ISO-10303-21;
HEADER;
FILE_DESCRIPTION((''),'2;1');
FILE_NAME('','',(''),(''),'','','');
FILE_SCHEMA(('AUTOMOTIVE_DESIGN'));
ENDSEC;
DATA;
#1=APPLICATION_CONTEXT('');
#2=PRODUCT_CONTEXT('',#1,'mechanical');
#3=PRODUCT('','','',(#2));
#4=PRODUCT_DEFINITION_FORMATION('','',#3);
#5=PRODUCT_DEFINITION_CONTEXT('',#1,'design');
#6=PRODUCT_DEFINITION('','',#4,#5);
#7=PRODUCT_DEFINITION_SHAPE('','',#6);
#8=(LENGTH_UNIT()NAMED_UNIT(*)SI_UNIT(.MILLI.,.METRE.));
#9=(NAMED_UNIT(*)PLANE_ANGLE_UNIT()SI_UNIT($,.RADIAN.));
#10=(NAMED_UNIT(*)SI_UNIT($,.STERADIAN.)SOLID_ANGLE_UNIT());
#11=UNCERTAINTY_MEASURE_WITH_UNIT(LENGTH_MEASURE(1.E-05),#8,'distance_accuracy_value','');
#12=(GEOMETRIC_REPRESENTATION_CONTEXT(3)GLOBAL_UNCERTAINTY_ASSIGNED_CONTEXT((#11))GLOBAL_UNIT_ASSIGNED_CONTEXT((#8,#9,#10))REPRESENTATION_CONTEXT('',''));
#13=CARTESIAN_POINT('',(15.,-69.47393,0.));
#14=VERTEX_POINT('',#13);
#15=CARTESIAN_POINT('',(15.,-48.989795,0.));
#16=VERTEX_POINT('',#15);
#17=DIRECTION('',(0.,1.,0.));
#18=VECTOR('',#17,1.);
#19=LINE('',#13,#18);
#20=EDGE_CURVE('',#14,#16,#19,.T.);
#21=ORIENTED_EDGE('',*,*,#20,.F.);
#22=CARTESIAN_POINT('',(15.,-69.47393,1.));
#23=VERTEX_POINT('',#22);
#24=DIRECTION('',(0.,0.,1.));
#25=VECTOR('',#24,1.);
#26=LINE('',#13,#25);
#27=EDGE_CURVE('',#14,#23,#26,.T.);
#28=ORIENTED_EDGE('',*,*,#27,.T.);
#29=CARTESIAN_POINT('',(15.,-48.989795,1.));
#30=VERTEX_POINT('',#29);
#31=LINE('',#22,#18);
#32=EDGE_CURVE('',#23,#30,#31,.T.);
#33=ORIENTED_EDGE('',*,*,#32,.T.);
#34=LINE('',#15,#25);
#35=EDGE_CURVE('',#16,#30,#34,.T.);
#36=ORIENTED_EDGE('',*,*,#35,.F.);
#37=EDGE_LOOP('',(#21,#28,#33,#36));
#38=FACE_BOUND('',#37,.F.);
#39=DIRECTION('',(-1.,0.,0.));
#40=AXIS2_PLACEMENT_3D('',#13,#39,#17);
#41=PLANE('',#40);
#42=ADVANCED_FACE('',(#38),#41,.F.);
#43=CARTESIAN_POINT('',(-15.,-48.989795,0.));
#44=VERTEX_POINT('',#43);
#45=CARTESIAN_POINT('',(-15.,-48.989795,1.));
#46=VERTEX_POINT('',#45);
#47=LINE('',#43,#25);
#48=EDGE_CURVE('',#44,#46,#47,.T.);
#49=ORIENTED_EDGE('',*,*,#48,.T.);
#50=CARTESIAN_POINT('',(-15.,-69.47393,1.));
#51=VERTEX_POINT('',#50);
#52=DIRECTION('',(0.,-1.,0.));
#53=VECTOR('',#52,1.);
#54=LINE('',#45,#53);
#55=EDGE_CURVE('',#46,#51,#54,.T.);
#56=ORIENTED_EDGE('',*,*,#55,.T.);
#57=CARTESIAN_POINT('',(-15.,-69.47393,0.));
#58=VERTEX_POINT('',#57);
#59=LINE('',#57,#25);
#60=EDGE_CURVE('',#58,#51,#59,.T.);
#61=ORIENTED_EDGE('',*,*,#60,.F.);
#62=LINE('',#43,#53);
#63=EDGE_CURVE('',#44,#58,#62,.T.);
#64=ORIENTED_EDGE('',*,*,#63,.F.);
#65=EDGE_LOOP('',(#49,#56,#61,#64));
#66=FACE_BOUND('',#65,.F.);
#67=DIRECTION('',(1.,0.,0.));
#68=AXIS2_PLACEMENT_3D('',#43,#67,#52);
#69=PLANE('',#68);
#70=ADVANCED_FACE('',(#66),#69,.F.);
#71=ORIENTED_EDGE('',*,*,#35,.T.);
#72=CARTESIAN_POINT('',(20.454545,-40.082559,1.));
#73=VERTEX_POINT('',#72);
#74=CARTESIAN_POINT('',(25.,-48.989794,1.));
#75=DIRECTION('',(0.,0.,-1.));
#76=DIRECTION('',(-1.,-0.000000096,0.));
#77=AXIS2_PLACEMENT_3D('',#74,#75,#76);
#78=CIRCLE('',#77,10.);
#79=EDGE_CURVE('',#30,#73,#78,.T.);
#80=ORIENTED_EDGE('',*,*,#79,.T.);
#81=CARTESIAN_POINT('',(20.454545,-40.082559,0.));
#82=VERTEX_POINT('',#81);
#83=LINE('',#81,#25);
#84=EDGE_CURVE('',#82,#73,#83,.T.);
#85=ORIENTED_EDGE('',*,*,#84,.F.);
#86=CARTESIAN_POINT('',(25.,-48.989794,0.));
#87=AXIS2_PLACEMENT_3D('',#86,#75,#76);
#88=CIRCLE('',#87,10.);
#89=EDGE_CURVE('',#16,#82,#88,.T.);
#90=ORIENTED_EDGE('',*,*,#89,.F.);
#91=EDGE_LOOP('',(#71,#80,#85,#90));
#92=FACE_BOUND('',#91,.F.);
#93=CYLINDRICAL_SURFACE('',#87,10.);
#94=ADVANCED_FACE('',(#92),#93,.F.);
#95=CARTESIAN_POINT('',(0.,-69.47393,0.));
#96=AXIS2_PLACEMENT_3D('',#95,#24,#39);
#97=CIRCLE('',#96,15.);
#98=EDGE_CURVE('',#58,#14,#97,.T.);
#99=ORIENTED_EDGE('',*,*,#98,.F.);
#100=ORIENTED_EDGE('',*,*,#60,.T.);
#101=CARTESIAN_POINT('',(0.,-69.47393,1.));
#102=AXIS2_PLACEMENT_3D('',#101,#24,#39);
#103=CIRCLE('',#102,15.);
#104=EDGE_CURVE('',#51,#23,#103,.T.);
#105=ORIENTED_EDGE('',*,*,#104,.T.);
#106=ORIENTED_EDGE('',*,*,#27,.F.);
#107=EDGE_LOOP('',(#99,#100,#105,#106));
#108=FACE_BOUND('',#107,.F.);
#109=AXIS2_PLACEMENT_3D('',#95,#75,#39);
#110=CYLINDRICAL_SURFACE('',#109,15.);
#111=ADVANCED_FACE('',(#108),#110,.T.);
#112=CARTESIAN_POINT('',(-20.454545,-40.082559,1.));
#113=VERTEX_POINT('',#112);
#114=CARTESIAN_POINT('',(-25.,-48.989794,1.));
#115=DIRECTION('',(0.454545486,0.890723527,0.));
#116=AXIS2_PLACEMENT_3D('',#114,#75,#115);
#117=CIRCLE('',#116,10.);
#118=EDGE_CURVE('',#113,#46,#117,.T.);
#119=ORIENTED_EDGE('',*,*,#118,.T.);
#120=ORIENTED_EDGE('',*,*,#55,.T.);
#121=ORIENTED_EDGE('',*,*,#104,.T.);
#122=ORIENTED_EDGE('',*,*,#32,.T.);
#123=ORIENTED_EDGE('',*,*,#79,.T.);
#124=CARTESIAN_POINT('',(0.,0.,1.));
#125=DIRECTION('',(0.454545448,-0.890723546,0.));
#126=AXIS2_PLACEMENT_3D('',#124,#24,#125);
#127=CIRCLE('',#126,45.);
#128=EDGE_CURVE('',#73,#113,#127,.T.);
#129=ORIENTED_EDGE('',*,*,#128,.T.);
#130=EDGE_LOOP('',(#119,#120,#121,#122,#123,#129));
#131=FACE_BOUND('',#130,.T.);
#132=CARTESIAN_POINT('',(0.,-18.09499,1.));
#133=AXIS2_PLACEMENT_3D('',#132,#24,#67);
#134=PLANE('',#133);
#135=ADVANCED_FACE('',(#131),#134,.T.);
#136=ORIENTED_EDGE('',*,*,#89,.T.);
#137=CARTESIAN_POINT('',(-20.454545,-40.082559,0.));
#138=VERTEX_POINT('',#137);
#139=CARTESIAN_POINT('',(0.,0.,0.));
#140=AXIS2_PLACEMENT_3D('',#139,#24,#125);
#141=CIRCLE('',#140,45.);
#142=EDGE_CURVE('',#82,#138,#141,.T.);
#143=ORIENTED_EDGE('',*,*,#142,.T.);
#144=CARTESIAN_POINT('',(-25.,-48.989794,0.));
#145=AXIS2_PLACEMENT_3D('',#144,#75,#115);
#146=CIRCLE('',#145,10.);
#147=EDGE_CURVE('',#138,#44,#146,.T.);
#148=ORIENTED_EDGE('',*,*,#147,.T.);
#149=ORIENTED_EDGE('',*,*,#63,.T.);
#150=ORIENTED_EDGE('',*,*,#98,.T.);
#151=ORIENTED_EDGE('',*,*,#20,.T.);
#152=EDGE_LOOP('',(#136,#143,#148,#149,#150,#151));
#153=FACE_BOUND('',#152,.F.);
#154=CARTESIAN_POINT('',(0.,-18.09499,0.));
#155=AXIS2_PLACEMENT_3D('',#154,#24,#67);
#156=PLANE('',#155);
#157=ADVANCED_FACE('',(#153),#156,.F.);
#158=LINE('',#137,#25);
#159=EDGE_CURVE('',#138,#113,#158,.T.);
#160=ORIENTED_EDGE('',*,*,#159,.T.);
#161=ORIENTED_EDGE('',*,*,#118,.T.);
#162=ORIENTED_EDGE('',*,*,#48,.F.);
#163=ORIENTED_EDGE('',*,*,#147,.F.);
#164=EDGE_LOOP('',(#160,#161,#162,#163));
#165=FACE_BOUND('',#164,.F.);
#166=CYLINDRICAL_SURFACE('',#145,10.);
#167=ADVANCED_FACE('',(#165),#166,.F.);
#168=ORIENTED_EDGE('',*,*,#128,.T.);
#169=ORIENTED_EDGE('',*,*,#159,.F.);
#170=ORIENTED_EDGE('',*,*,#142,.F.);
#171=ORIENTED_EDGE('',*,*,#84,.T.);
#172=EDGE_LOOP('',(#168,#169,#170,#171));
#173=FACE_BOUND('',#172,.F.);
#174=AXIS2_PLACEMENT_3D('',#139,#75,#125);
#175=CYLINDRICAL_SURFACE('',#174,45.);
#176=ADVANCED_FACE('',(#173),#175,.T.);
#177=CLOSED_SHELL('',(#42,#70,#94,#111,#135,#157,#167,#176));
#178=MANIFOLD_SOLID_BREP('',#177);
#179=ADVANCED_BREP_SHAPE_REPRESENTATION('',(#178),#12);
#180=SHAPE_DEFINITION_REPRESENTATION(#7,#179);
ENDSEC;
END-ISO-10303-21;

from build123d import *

# Parameters (mm, degrees)
F1_DEPTH = 1


with BuildPart() as f1:
    # F0 (on Top) → F1 (new body)
    with BuildSketch(Plane.XY):
        with BuildLine():
            ThreePointArc((15, -48.989795), (16.471971, -43.767465), (20.454545, -40.082559))
            ThreePointArc((20.454545, -40.082559), (0, 45), (-20.454545, -40.082559))
            ThreePointArc((-20.454545, -40.082559), (-16.471971, -43.767465), (-15, -48.989795))
            Line((-15, -48.989795), (-15, -69.47393))
            ThreePointArc((-15, -69.47393), (0, -84.47393), (15, -69.47393))
            Line((15, -69.47393), (15, -48.989795))
        make_face()
    extrude(amount=F1_DEPTH)


solid = f1.part
